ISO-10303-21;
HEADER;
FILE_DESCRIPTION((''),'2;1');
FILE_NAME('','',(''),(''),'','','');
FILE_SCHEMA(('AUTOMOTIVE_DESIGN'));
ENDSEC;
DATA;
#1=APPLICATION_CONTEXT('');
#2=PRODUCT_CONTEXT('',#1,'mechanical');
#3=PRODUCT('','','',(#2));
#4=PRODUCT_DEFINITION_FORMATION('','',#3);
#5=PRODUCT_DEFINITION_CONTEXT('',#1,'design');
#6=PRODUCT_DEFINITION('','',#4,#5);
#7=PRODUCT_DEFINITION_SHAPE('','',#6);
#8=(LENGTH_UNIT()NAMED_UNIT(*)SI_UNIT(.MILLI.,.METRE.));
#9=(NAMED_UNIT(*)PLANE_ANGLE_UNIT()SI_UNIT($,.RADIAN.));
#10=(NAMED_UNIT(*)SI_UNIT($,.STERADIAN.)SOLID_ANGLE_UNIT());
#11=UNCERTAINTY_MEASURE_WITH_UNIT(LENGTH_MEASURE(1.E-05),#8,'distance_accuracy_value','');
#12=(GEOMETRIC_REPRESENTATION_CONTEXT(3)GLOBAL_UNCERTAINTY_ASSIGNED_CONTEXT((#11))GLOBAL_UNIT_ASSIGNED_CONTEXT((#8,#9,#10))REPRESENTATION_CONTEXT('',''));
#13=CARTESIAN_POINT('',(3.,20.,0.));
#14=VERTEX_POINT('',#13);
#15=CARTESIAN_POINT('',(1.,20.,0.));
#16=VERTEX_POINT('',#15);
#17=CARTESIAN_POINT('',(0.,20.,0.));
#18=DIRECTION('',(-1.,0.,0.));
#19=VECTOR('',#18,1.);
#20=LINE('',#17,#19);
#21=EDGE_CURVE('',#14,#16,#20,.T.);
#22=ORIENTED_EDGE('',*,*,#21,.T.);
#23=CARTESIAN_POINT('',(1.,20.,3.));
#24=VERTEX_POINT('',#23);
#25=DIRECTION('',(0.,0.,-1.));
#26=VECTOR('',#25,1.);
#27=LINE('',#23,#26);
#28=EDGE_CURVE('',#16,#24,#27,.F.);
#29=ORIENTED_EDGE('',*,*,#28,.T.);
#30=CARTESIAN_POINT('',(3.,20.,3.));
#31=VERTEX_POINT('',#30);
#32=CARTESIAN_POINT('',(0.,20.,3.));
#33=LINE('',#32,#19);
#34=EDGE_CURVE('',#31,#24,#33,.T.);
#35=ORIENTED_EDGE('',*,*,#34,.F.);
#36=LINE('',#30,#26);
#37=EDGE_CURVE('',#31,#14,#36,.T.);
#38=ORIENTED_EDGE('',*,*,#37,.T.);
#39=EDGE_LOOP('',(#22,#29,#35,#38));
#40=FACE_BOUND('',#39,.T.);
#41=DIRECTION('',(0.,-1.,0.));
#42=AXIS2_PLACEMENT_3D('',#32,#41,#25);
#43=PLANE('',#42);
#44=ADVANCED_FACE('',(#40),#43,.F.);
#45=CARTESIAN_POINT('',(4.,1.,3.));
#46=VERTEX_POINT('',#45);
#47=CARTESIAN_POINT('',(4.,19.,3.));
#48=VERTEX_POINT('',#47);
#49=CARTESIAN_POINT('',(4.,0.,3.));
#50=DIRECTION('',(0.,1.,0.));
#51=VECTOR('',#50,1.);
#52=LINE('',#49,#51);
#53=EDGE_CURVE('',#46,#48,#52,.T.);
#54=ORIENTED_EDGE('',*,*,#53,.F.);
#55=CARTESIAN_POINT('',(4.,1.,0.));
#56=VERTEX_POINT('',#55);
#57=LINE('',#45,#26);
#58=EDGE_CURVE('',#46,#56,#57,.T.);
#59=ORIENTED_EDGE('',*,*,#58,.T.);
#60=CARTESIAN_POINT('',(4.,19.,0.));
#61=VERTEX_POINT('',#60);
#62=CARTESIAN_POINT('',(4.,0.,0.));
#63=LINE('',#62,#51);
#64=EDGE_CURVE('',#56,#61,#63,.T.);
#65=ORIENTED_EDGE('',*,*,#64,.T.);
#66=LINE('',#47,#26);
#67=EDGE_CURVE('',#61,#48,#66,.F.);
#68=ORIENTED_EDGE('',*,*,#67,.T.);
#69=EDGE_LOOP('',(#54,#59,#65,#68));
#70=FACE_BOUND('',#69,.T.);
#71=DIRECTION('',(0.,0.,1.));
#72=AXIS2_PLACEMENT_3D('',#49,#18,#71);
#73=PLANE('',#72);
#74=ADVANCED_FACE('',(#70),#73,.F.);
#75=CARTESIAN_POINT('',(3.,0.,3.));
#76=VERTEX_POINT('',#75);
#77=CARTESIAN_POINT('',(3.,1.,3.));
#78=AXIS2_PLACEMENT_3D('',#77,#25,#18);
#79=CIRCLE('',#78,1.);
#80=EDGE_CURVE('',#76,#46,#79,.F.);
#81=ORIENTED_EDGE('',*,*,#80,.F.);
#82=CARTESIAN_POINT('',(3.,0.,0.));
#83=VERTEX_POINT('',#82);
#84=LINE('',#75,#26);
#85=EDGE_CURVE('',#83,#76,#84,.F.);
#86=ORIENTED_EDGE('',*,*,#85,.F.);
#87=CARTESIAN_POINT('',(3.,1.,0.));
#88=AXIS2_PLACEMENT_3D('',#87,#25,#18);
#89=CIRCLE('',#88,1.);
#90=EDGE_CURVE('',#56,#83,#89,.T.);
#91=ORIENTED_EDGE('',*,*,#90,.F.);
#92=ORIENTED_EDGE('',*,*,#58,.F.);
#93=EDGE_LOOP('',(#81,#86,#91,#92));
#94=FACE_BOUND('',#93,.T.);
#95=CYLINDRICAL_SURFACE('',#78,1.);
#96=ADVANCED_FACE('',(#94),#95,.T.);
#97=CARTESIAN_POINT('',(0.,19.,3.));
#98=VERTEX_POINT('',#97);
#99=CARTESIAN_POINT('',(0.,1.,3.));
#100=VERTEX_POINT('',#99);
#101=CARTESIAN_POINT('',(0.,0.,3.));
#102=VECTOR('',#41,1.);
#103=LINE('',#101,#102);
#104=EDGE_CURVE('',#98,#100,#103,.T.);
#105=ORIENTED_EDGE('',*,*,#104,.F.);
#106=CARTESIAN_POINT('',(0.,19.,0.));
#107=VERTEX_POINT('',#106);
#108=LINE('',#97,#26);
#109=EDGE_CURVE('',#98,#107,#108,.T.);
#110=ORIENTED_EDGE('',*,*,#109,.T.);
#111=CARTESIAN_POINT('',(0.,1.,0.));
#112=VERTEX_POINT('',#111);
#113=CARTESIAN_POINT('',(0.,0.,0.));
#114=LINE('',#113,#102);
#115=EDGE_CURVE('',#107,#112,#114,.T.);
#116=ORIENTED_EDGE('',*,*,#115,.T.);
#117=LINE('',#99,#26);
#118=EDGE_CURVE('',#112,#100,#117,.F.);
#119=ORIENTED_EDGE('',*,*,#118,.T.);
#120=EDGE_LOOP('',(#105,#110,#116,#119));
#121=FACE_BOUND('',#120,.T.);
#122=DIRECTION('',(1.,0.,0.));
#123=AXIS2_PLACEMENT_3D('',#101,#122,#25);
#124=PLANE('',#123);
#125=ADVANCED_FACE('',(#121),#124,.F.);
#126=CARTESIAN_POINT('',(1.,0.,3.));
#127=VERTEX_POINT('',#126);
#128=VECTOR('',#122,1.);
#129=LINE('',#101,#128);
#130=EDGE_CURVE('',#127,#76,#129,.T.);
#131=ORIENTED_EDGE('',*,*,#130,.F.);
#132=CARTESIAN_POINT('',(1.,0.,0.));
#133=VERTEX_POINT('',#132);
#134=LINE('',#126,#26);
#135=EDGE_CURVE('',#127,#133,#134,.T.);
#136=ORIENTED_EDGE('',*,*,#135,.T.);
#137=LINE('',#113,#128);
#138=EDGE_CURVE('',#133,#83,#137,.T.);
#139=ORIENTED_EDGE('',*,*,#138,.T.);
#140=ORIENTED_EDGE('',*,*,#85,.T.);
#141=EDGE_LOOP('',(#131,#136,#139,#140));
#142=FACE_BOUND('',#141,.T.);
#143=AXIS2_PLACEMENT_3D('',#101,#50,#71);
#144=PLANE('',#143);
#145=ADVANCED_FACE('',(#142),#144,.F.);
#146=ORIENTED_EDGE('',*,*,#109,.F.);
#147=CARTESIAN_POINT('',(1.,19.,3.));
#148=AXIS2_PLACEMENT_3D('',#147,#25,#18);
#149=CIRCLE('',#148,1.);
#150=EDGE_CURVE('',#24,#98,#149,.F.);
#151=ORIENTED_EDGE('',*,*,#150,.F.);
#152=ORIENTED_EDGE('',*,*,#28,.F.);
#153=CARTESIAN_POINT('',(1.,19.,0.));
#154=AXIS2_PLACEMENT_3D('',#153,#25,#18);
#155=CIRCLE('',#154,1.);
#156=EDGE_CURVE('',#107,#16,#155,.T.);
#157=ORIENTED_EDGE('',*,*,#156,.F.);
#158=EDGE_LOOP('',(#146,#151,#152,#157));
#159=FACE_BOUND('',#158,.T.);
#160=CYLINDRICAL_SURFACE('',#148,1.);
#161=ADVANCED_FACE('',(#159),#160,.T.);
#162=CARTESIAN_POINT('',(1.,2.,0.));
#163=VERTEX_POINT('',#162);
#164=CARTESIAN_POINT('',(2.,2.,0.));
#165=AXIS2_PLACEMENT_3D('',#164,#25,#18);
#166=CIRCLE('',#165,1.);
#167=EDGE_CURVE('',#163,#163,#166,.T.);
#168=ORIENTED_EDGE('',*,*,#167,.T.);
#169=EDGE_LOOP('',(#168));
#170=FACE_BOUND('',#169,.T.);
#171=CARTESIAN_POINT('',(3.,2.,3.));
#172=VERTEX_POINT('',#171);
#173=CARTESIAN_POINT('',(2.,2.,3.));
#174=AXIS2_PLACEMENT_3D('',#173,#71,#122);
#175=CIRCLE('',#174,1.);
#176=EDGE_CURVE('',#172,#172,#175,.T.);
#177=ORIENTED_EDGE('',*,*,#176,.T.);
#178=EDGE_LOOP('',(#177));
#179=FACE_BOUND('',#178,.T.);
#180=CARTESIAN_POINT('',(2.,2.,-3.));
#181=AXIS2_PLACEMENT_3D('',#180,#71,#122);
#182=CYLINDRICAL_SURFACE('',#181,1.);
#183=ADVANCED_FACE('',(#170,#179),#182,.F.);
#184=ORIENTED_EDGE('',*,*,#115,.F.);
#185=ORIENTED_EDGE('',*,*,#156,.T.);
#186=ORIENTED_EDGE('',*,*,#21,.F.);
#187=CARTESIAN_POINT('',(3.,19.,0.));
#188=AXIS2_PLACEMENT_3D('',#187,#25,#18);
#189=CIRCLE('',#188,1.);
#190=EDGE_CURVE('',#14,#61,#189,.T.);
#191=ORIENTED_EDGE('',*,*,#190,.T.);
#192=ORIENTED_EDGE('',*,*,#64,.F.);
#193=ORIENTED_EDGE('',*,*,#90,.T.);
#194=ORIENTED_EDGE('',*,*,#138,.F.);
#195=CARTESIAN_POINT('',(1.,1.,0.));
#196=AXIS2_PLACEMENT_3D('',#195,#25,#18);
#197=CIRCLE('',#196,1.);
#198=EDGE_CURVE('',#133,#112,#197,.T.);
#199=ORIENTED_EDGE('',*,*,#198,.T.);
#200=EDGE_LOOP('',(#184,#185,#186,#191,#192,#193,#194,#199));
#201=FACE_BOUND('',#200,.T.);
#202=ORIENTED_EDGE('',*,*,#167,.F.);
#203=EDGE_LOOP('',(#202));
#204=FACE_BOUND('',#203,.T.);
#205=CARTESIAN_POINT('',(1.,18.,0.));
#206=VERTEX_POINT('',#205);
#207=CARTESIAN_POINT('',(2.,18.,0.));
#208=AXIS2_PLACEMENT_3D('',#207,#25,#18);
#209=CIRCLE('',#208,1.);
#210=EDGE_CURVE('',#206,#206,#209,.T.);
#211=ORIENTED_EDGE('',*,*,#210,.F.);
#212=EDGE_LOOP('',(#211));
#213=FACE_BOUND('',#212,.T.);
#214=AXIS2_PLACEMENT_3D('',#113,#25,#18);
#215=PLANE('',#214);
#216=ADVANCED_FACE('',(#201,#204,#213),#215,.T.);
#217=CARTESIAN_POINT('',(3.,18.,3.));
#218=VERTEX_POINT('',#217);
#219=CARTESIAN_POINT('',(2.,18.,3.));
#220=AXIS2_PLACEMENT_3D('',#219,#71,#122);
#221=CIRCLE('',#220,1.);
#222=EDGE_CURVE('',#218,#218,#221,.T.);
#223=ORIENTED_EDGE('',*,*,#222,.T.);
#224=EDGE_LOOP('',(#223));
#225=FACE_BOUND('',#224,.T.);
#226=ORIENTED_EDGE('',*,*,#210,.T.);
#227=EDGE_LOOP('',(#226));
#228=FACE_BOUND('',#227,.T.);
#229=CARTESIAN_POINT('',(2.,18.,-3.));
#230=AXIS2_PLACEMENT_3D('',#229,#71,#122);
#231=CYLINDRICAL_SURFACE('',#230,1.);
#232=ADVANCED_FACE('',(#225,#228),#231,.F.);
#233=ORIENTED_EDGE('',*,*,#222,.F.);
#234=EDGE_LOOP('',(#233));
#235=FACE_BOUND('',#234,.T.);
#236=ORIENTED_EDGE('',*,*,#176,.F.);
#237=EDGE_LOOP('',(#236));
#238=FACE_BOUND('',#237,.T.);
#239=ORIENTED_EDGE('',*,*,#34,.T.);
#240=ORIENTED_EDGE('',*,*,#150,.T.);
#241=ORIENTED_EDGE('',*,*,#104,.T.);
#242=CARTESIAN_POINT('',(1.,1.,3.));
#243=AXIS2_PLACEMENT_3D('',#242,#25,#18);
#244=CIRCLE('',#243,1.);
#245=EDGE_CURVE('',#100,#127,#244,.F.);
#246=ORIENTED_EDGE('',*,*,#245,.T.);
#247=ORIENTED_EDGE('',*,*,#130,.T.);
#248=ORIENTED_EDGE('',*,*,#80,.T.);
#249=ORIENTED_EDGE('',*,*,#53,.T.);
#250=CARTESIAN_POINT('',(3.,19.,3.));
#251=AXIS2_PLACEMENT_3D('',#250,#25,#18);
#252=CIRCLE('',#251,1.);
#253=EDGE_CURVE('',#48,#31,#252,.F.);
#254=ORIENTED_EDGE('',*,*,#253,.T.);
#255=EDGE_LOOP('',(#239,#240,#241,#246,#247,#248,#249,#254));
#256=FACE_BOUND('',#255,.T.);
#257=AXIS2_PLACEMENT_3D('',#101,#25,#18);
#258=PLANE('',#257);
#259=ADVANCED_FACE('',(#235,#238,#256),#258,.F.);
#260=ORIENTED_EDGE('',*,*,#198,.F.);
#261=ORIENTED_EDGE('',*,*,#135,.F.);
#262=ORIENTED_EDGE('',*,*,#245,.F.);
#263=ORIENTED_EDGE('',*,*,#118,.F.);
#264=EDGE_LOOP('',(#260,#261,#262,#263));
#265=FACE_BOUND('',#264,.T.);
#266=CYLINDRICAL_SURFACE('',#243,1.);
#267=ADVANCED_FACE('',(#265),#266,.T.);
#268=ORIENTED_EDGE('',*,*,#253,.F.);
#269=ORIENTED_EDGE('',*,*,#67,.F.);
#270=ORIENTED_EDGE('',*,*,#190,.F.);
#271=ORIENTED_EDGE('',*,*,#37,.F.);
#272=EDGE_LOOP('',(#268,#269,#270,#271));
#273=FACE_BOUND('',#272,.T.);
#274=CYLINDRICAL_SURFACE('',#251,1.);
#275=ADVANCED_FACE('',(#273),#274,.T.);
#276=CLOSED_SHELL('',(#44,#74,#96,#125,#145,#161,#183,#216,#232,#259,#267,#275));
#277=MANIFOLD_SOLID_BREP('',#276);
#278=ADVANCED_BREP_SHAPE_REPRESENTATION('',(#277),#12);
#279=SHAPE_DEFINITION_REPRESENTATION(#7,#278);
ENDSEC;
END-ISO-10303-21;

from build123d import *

# Parameters (mm, degrees)
ESQUISSE1_W             = 4
ESQUISSE1_H             = 20
BOSS_EXTRU_1_DEPTH      = 3
ESQUISSE3_R             = 1
ENL_V_MAT_EXTRU_1_DEPTH = 6
CONG_4_R                = 1
CONG_5_R                = 1
CONG_6_R                = 1
CONG_7_R                = 1


with BuildPart() as part:
    # Esquisse1 → Boss.-Extru.1 (new body)
    with BuildSketch(Plane.XY):
        with Locations((2, 10)):
            Rectangle(ESQUISSE1_W, ESQUISSE1_H)
    extrude(amount=BOSS_EXTRU_1_DEPTH)

    # Esquisse3 → Enlèv. mat.-Extru.1 (cut)
    with BuildSketch(Plane.XY.offset(3)):
        with Locations((2, 2)):
            Circle(ESQUISSE3_R)
        with Locations((2, 18)):
            Circle(ESQUISSE3_R)
    extrude(amount=-ENL_V_MAT_EXTRU_1_DEPTH, mode=Mode.SUBTRACT)

    # Congé4
    cong_4_edges = [part.edges().sort_by_distance(p)[0] for p in [
        (4, 0, 1.5),
    ]]
    fillet(cong_4_edges, radius=CONG_4_R)

    # Congé5
    cong_5_edges = [part.edges().sort_by_distance(p)[0] for p in [
        (0, 0, 1.5),
    ]]
    fillet(cong_5_edges, radius=CONG_5_R)

    # Congé6
    cong_6_edges = [part.edges().sort_by_distance(p)[0] for p in [
        (0, 20, 1.5),
    ]]
    fillet(cong_6_edges, radius=CONG_6_R)

    # Congé7
    cong_7_edges = [part.edges().sort_by_distance(p)[0] for p in [
        (4, 20, 1.5),
    ]]
    fillet(cong_7_edges, radius=CONG_7_R)


solid = part.part
